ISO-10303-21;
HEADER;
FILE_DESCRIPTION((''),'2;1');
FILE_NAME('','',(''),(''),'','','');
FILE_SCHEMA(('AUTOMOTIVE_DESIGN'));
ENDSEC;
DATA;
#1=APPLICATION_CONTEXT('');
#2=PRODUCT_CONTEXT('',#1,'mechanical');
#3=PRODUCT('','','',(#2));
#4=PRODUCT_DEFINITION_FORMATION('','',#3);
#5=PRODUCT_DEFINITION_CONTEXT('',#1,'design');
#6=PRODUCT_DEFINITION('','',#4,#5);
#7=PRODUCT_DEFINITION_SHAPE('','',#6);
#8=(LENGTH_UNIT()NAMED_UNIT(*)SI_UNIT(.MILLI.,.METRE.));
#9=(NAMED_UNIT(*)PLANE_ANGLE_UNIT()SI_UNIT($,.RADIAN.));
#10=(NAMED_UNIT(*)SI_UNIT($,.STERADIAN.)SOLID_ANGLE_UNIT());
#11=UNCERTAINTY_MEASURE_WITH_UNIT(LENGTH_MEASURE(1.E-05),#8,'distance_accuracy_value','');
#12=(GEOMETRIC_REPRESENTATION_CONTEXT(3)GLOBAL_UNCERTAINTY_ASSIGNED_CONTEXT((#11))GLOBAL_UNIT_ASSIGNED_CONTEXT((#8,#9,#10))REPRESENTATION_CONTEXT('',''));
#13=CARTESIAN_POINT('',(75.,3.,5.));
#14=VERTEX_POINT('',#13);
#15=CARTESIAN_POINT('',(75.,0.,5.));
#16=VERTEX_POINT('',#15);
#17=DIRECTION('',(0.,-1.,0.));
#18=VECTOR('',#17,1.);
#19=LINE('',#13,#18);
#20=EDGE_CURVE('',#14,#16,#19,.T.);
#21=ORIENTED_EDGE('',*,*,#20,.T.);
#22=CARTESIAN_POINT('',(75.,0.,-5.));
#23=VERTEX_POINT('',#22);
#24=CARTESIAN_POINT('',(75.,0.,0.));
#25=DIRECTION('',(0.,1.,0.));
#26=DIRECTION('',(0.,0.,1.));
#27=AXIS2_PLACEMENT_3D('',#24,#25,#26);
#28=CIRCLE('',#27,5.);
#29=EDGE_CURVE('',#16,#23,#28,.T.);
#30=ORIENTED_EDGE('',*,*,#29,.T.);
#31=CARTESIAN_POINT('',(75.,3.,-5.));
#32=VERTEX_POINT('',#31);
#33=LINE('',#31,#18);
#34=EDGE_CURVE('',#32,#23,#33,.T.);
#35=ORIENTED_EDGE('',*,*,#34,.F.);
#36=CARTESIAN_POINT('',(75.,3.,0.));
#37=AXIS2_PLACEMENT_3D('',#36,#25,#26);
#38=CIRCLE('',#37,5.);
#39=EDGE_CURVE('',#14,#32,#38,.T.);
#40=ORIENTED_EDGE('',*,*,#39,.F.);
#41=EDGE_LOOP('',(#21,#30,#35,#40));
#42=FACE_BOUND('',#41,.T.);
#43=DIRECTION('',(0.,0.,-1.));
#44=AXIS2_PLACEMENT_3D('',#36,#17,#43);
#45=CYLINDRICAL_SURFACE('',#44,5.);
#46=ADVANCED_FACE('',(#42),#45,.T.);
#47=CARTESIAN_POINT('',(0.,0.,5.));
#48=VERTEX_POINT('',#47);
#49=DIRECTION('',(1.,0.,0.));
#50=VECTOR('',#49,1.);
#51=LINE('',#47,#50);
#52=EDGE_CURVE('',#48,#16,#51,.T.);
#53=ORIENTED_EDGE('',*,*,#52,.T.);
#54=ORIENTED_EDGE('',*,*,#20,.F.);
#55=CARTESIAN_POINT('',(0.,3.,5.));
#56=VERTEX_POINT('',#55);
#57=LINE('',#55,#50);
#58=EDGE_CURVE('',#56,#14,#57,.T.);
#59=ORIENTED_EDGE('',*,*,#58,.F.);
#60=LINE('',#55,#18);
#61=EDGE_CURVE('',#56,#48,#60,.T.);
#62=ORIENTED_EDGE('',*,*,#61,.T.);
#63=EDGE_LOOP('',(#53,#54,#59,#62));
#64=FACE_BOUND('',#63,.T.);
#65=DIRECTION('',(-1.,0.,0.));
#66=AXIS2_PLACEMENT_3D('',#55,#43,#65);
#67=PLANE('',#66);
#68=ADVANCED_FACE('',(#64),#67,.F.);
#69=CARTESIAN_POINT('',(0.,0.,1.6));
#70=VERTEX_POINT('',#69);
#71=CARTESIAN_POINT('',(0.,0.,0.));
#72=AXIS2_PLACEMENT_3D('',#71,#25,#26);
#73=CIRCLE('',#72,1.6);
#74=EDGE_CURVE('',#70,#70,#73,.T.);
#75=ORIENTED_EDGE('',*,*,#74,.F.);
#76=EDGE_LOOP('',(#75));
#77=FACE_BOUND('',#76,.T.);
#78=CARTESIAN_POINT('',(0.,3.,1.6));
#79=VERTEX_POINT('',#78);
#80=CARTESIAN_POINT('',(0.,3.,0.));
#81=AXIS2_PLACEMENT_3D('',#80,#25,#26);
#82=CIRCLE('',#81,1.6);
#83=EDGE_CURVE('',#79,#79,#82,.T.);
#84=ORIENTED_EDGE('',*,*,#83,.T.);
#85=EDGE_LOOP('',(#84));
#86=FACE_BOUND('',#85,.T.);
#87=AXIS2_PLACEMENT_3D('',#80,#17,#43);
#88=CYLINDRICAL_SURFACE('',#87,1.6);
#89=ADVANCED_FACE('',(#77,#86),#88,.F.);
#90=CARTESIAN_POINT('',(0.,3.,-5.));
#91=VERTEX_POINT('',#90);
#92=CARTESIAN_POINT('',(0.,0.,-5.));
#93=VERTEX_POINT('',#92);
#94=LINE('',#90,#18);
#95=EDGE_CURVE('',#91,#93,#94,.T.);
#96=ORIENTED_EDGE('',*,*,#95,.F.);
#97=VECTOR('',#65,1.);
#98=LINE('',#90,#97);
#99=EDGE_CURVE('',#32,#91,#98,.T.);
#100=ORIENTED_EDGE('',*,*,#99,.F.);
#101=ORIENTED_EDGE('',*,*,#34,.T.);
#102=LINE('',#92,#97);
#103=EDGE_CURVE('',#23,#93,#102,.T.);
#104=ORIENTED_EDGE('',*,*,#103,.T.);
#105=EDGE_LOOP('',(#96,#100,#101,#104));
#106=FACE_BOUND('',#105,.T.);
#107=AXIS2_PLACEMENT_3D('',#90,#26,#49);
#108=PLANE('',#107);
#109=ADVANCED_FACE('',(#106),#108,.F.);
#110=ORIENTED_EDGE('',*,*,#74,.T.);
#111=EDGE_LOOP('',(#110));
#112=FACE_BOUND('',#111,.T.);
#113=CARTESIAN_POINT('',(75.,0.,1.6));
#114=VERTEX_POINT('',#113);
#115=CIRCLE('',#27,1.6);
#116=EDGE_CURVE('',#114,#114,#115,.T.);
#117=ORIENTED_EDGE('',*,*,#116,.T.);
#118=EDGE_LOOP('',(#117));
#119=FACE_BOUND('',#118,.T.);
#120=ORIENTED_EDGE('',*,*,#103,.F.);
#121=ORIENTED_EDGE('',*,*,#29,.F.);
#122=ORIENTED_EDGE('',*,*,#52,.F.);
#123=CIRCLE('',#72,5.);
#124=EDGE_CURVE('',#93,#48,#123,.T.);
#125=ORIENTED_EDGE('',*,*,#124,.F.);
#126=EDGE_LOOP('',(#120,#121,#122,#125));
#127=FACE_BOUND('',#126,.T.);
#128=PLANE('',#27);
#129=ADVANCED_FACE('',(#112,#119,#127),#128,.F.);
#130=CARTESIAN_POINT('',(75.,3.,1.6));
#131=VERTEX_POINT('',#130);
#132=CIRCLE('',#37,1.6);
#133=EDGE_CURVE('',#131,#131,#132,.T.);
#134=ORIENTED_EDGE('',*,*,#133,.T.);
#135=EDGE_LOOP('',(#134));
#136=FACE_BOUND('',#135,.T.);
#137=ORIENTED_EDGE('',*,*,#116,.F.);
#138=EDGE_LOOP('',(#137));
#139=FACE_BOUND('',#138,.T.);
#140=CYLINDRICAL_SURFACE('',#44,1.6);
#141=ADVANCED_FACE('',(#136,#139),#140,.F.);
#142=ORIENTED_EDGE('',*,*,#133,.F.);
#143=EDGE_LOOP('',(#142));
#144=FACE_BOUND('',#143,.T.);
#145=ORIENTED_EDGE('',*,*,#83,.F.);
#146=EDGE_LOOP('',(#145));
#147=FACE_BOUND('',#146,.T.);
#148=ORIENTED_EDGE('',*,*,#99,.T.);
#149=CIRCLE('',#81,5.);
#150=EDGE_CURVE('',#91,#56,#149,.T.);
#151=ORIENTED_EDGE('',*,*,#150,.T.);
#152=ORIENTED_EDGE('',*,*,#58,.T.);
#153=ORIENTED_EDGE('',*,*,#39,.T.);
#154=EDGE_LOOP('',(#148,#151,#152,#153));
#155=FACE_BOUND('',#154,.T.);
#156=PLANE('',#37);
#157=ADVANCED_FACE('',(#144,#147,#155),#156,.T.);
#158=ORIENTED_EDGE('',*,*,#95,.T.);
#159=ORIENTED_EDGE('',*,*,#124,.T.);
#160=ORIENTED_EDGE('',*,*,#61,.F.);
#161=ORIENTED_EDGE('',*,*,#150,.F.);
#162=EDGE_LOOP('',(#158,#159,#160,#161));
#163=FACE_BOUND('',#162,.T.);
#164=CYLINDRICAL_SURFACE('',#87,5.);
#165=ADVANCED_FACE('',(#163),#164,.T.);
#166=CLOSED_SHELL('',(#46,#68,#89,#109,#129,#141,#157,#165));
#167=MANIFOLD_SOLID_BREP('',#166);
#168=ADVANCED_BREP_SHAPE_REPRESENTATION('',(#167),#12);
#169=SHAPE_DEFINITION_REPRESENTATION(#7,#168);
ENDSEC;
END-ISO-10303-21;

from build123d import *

# Parameters (mm, degrees)
SKETCH_1_R      = 1.6
EXTRUDE_1_DEPTH = 3


with BuildPart() as part:
    # ｽｹｯﾁ1 → ﾎﾞｽ - 押し出し1 (new body)
    with BuildSketch(Plane(origin=(0, 0, 0), x_dir=(1, 0, 0), z_dir=(0, 1, 0))):
        with BuildLine():
            Line((0, -5), (75, -5))
            ThreePointArc((75, -5), (80, 0), (75, 5))
            Line((75, 5), (0, 5))
            ThreePointArc((0, 5), (-5, 0), (0, -5))
        make_face()
        with Locations(Location((0, 0, 0), (0, 0, 270))):
            Circle(SKETCH_1_R, mode=Mode.SUBTRACT)
        with Locations(Location((75, 0, 0), (0, 0, 270))):
            Circle(SKETCH_1_R, mode=Mode.SUBTRACT)
    extrude(amount=EXTRUDE_1_DEPTH)


solid = part.part
